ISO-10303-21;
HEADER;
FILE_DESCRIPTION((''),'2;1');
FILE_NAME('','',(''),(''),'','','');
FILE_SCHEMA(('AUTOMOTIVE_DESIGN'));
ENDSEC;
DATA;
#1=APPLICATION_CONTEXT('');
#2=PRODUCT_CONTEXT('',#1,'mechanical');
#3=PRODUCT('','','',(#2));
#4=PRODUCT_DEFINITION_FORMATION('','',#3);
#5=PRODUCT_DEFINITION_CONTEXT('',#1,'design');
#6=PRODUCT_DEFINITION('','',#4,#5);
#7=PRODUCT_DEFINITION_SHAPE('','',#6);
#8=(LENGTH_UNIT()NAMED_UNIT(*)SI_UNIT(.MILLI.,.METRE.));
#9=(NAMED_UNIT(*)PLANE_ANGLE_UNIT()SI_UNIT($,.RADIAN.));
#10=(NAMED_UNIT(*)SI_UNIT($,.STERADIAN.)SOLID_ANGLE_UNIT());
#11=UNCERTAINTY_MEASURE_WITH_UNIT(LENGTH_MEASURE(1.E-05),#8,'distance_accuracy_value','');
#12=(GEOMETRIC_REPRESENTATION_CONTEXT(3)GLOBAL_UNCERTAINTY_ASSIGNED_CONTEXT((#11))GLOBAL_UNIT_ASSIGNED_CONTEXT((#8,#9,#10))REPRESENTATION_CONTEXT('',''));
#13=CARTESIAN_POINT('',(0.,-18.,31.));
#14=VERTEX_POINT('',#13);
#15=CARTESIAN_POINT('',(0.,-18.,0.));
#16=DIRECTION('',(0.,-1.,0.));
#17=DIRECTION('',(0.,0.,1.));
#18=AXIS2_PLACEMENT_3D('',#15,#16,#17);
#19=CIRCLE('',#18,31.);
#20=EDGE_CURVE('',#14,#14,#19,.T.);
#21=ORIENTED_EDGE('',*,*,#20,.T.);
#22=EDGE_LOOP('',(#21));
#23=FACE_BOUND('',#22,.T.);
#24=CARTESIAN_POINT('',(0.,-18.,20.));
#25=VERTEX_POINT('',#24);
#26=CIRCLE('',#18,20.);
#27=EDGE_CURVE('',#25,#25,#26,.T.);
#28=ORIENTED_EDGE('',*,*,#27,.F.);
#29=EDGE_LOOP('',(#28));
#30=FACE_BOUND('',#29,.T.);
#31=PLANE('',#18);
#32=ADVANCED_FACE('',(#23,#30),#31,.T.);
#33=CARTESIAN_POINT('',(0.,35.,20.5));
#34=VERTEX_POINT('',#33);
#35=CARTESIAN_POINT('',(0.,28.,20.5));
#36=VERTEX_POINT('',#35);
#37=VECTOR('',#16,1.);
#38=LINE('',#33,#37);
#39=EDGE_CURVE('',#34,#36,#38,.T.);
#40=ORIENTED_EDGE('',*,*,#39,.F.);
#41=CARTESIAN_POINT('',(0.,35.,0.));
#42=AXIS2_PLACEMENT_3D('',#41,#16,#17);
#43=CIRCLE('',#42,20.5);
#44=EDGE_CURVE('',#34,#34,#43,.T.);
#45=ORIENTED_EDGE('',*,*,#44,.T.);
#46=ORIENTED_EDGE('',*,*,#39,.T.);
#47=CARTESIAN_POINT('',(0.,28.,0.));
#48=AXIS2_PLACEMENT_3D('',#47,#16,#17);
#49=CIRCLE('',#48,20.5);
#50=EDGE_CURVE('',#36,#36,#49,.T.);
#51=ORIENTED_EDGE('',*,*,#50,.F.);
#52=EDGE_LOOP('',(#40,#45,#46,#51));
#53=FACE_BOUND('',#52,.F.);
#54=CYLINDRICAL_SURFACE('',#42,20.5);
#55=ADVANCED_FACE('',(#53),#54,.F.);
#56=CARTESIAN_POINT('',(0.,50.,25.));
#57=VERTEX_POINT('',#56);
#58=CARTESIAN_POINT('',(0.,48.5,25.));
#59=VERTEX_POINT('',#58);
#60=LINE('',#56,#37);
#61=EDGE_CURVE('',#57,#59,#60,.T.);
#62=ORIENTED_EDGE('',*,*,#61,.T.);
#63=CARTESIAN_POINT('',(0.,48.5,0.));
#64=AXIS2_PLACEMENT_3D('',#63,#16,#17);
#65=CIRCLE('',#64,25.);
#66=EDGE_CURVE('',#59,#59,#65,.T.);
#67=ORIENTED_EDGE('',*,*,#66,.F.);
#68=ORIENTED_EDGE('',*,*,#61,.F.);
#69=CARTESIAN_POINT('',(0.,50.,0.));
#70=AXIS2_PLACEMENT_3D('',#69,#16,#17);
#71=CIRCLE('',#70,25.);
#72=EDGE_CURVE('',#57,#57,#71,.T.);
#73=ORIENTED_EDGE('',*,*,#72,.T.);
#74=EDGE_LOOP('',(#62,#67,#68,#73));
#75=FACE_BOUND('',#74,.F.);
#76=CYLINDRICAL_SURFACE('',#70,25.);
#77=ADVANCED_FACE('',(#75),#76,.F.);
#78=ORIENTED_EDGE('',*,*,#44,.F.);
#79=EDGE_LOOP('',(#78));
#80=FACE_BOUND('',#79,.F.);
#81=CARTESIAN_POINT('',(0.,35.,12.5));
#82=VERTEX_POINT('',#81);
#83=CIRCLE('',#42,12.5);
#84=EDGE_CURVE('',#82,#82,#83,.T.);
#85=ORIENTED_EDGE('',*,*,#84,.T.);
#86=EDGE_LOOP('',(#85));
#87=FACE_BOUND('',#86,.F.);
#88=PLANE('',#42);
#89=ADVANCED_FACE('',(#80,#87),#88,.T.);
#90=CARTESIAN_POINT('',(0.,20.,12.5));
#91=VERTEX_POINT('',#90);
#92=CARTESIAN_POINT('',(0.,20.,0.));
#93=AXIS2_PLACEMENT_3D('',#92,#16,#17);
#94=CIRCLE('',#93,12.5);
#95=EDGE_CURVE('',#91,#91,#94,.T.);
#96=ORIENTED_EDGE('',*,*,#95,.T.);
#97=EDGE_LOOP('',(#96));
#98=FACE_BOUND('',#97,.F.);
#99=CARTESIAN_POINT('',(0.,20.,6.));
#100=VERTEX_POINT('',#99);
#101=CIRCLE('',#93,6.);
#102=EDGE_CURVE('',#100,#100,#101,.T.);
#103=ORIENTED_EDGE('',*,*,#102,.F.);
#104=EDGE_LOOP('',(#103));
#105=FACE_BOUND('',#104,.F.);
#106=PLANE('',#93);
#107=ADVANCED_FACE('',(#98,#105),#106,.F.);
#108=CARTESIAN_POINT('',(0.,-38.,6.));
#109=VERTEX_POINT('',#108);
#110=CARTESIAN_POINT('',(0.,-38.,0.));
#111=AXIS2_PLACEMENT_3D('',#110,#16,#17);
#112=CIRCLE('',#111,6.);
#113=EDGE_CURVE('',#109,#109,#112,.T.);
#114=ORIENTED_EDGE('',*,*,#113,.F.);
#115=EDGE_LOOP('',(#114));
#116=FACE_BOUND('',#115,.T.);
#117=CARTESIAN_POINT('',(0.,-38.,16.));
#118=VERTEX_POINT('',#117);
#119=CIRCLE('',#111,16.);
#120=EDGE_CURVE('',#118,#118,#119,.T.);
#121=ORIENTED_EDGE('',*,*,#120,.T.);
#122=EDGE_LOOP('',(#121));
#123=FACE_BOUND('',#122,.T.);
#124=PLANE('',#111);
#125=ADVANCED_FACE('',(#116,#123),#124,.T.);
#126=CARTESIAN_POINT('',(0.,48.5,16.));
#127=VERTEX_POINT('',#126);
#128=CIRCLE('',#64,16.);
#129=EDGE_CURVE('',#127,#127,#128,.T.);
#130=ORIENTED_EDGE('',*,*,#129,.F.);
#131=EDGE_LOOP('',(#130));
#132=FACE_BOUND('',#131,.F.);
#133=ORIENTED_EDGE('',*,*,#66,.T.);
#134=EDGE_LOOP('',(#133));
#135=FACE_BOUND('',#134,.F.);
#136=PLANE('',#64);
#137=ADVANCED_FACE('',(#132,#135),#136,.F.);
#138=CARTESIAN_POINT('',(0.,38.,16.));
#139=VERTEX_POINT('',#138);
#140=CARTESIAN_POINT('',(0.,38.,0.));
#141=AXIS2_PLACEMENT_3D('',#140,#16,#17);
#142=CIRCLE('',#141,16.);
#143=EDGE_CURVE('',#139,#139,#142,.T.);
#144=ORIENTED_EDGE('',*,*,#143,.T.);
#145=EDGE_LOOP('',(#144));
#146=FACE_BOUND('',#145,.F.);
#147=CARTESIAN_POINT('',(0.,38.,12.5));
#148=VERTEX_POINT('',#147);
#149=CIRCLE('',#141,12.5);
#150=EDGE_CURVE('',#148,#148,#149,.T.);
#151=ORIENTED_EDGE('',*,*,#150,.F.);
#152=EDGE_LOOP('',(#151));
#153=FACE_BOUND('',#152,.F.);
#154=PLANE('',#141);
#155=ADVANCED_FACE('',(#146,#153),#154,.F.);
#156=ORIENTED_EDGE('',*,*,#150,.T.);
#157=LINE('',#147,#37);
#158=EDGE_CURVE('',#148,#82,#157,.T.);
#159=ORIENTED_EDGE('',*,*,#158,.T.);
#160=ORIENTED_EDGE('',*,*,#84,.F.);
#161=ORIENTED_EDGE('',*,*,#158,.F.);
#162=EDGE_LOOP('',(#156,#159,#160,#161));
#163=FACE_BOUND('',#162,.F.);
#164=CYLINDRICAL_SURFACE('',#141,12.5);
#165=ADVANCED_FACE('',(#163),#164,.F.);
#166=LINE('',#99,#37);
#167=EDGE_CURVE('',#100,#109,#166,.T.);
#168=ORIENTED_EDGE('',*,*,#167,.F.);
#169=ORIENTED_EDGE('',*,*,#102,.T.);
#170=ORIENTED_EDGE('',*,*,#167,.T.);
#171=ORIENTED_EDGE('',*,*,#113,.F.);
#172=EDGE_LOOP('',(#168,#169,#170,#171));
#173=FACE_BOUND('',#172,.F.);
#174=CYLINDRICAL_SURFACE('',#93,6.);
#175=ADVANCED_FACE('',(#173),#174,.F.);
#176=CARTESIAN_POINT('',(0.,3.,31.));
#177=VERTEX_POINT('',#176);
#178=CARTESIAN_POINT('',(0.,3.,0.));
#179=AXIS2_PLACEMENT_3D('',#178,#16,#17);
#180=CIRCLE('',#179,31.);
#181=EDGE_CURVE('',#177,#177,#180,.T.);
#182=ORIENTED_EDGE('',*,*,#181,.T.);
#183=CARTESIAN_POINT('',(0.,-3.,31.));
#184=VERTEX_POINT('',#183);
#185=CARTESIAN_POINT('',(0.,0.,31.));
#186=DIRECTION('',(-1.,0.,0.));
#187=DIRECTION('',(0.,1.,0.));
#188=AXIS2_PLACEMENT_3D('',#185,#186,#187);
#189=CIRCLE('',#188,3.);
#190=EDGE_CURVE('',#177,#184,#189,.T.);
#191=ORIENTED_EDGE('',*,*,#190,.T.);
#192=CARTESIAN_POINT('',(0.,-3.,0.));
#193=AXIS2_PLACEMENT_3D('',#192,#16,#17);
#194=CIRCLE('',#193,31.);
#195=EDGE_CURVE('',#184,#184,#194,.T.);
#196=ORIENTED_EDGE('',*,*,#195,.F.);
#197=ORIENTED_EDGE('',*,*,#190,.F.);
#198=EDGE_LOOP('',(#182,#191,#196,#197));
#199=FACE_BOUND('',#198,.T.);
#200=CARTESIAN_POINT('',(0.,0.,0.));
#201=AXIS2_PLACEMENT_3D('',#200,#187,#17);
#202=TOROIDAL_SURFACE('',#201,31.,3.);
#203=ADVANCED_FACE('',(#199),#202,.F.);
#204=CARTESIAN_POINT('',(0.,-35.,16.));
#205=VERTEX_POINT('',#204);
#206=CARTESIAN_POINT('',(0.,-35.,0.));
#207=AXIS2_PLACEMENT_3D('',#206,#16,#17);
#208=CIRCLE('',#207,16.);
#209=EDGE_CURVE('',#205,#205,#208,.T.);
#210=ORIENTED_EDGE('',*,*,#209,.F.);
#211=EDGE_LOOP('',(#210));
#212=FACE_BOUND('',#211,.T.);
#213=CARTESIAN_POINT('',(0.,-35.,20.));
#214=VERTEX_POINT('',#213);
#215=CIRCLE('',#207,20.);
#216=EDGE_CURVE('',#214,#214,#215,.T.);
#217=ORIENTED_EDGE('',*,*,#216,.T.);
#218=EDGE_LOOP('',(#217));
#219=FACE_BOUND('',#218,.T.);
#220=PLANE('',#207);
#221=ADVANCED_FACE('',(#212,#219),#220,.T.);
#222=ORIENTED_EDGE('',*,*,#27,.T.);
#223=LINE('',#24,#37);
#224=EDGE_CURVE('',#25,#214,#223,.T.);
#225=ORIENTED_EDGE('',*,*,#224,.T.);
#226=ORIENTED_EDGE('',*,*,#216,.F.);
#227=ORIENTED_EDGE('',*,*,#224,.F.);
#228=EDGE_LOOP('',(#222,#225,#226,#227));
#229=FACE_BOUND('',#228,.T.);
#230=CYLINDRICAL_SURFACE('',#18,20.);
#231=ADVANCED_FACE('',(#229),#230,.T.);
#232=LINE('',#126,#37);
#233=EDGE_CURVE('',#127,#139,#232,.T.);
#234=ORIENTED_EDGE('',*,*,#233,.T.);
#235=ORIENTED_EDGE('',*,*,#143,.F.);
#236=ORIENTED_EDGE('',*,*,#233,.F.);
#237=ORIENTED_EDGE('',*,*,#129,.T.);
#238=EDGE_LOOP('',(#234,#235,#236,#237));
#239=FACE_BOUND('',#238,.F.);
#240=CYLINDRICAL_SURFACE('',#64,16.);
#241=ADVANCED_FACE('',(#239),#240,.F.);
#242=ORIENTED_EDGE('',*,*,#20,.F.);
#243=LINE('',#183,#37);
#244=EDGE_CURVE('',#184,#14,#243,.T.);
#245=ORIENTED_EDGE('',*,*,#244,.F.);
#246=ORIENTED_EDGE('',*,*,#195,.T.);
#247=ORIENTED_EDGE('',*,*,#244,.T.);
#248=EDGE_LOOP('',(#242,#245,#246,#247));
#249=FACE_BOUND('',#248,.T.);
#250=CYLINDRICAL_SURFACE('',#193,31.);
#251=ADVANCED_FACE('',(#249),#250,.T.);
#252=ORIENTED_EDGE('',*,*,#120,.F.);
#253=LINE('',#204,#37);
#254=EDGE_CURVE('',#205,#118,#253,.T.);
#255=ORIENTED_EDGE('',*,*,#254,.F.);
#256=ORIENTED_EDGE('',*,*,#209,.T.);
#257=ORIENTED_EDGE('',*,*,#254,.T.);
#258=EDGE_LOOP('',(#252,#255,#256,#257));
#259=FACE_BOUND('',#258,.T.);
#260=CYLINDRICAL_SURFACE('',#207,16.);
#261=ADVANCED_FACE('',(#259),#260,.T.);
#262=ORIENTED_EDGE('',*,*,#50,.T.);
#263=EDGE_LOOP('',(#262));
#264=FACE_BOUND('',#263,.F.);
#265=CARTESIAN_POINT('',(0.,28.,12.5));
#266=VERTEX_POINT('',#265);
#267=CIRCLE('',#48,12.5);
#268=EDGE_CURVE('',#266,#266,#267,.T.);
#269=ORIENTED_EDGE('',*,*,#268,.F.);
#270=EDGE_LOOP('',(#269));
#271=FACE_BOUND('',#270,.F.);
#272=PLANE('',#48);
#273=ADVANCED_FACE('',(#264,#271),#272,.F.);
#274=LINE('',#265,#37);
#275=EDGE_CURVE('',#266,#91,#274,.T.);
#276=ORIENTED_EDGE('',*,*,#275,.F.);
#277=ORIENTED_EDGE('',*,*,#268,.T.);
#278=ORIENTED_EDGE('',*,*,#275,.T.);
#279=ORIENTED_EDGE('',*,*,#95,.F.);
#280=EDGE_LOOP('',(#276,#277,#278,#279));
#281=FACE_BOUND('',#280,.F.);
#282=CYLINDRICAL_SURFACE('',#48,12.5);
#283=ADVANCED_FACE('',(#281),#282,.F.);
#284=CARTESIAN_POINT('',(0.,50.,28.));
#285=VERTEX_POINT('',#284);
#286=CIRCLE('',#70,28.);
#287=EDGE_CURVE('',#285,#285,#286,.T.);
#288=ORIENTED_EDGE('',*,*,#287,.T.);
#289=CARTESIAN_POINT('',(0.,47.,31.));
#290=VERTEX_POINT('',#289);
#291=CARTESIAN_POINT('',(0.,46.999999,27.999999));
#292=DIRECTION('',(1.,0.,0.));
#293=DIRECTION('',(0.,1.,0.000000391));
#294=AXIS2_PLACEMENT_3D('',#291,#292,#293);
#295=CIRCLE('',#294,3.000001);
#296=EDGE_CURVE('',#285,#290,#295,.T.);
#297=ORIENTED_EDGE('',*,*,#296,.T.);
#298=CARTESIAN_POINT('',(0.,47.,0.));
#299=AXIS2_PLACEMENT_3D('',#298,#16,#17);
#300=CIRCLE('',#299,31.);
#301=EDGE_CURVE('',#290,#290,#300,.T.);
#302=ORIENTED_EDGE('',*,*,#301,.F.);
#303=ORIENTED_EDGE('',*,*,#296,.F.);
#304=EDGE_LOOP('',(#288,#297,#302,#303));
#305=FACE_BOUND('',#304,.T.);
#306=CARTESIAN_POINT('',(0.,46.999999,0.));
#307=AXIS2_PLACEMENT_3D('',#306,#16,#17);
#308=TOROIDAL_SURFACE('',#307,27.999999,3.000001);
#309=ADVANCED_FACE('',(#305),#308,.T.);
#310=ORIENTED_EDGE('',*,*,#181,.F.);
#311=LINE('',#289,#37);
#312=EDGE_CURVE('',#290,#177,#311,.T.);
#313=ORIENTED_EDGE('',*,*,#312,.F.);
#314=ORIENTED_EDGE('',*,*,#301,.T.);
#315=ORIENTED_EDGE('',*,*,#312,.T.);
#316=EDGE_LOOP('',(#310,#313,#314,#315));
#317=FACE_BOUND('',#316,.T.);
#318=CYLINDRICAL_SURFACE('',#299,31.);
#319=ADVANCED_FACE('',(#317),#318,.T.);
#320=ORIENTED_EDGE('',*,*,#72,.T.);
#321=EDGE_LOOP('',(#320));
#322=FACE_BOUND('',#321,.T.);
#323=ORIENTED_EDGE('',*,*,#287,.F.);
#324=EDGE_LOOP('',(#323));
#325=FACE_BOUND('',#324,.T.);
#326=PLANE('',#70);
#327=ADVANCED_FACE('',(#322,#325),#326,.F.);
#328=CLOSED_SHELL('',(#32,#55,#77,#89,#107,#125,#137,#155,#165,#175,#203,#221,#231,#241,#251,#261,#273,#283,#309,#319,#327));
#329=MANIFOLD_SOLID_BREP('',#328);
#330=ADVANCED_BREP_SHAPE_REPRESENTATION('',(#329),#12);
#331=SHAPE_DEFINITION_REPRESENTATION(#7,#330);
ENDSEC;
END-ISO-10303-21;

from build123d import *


with BuildPart() as f2:
    # F1 (on Right) → F2 (revolve)
    with BuildSketch(Plane.YZ):
        with BuildLine():
            Line((-38, 16), (-38, 0))
            Line((-38, 0), (0, 0))
            Line((0, 0), (50, 0))
            Line((50, 0), (50, 28))
            ThreePointArc((50, 28), (49.12132, 30.12132), (47, 31))
            Line((47, 31), (3, 31))
            ThreePointArc((3, 31), (0, 28), (-3, 31))
            Line((-3, 31), (-18, 31))
            Line((-18, 31), (-18, 20))
            Line((-18, 20), (-35, 20))
            Line((-35, 20), (-35, 16))
            Line((-35, 16), (-38, 16))
        make_face()
    revolve(axis=Axis((0, -19, 0), (0, -1, 0)))

    # F0 (on Right) → F3 (revolve, cut)
    with BuildSketch(Plane.YZ):
        Polygon((-38, 0), (0, 0), (50, 0), (50, 25), (48.5, 25), (48.5, 16), (38, 16), (38, 12.5), (35, 12.5), (35, 20.5), (28, 20.5), (28, 12.5), (20, 12.5), (20, 6), (-38, 6), align=None)
    revolve(axis=Axis((0, -19, 0), (0, -1, 0)), mode=Mode.SUBTRACT)


solid = f2.part
